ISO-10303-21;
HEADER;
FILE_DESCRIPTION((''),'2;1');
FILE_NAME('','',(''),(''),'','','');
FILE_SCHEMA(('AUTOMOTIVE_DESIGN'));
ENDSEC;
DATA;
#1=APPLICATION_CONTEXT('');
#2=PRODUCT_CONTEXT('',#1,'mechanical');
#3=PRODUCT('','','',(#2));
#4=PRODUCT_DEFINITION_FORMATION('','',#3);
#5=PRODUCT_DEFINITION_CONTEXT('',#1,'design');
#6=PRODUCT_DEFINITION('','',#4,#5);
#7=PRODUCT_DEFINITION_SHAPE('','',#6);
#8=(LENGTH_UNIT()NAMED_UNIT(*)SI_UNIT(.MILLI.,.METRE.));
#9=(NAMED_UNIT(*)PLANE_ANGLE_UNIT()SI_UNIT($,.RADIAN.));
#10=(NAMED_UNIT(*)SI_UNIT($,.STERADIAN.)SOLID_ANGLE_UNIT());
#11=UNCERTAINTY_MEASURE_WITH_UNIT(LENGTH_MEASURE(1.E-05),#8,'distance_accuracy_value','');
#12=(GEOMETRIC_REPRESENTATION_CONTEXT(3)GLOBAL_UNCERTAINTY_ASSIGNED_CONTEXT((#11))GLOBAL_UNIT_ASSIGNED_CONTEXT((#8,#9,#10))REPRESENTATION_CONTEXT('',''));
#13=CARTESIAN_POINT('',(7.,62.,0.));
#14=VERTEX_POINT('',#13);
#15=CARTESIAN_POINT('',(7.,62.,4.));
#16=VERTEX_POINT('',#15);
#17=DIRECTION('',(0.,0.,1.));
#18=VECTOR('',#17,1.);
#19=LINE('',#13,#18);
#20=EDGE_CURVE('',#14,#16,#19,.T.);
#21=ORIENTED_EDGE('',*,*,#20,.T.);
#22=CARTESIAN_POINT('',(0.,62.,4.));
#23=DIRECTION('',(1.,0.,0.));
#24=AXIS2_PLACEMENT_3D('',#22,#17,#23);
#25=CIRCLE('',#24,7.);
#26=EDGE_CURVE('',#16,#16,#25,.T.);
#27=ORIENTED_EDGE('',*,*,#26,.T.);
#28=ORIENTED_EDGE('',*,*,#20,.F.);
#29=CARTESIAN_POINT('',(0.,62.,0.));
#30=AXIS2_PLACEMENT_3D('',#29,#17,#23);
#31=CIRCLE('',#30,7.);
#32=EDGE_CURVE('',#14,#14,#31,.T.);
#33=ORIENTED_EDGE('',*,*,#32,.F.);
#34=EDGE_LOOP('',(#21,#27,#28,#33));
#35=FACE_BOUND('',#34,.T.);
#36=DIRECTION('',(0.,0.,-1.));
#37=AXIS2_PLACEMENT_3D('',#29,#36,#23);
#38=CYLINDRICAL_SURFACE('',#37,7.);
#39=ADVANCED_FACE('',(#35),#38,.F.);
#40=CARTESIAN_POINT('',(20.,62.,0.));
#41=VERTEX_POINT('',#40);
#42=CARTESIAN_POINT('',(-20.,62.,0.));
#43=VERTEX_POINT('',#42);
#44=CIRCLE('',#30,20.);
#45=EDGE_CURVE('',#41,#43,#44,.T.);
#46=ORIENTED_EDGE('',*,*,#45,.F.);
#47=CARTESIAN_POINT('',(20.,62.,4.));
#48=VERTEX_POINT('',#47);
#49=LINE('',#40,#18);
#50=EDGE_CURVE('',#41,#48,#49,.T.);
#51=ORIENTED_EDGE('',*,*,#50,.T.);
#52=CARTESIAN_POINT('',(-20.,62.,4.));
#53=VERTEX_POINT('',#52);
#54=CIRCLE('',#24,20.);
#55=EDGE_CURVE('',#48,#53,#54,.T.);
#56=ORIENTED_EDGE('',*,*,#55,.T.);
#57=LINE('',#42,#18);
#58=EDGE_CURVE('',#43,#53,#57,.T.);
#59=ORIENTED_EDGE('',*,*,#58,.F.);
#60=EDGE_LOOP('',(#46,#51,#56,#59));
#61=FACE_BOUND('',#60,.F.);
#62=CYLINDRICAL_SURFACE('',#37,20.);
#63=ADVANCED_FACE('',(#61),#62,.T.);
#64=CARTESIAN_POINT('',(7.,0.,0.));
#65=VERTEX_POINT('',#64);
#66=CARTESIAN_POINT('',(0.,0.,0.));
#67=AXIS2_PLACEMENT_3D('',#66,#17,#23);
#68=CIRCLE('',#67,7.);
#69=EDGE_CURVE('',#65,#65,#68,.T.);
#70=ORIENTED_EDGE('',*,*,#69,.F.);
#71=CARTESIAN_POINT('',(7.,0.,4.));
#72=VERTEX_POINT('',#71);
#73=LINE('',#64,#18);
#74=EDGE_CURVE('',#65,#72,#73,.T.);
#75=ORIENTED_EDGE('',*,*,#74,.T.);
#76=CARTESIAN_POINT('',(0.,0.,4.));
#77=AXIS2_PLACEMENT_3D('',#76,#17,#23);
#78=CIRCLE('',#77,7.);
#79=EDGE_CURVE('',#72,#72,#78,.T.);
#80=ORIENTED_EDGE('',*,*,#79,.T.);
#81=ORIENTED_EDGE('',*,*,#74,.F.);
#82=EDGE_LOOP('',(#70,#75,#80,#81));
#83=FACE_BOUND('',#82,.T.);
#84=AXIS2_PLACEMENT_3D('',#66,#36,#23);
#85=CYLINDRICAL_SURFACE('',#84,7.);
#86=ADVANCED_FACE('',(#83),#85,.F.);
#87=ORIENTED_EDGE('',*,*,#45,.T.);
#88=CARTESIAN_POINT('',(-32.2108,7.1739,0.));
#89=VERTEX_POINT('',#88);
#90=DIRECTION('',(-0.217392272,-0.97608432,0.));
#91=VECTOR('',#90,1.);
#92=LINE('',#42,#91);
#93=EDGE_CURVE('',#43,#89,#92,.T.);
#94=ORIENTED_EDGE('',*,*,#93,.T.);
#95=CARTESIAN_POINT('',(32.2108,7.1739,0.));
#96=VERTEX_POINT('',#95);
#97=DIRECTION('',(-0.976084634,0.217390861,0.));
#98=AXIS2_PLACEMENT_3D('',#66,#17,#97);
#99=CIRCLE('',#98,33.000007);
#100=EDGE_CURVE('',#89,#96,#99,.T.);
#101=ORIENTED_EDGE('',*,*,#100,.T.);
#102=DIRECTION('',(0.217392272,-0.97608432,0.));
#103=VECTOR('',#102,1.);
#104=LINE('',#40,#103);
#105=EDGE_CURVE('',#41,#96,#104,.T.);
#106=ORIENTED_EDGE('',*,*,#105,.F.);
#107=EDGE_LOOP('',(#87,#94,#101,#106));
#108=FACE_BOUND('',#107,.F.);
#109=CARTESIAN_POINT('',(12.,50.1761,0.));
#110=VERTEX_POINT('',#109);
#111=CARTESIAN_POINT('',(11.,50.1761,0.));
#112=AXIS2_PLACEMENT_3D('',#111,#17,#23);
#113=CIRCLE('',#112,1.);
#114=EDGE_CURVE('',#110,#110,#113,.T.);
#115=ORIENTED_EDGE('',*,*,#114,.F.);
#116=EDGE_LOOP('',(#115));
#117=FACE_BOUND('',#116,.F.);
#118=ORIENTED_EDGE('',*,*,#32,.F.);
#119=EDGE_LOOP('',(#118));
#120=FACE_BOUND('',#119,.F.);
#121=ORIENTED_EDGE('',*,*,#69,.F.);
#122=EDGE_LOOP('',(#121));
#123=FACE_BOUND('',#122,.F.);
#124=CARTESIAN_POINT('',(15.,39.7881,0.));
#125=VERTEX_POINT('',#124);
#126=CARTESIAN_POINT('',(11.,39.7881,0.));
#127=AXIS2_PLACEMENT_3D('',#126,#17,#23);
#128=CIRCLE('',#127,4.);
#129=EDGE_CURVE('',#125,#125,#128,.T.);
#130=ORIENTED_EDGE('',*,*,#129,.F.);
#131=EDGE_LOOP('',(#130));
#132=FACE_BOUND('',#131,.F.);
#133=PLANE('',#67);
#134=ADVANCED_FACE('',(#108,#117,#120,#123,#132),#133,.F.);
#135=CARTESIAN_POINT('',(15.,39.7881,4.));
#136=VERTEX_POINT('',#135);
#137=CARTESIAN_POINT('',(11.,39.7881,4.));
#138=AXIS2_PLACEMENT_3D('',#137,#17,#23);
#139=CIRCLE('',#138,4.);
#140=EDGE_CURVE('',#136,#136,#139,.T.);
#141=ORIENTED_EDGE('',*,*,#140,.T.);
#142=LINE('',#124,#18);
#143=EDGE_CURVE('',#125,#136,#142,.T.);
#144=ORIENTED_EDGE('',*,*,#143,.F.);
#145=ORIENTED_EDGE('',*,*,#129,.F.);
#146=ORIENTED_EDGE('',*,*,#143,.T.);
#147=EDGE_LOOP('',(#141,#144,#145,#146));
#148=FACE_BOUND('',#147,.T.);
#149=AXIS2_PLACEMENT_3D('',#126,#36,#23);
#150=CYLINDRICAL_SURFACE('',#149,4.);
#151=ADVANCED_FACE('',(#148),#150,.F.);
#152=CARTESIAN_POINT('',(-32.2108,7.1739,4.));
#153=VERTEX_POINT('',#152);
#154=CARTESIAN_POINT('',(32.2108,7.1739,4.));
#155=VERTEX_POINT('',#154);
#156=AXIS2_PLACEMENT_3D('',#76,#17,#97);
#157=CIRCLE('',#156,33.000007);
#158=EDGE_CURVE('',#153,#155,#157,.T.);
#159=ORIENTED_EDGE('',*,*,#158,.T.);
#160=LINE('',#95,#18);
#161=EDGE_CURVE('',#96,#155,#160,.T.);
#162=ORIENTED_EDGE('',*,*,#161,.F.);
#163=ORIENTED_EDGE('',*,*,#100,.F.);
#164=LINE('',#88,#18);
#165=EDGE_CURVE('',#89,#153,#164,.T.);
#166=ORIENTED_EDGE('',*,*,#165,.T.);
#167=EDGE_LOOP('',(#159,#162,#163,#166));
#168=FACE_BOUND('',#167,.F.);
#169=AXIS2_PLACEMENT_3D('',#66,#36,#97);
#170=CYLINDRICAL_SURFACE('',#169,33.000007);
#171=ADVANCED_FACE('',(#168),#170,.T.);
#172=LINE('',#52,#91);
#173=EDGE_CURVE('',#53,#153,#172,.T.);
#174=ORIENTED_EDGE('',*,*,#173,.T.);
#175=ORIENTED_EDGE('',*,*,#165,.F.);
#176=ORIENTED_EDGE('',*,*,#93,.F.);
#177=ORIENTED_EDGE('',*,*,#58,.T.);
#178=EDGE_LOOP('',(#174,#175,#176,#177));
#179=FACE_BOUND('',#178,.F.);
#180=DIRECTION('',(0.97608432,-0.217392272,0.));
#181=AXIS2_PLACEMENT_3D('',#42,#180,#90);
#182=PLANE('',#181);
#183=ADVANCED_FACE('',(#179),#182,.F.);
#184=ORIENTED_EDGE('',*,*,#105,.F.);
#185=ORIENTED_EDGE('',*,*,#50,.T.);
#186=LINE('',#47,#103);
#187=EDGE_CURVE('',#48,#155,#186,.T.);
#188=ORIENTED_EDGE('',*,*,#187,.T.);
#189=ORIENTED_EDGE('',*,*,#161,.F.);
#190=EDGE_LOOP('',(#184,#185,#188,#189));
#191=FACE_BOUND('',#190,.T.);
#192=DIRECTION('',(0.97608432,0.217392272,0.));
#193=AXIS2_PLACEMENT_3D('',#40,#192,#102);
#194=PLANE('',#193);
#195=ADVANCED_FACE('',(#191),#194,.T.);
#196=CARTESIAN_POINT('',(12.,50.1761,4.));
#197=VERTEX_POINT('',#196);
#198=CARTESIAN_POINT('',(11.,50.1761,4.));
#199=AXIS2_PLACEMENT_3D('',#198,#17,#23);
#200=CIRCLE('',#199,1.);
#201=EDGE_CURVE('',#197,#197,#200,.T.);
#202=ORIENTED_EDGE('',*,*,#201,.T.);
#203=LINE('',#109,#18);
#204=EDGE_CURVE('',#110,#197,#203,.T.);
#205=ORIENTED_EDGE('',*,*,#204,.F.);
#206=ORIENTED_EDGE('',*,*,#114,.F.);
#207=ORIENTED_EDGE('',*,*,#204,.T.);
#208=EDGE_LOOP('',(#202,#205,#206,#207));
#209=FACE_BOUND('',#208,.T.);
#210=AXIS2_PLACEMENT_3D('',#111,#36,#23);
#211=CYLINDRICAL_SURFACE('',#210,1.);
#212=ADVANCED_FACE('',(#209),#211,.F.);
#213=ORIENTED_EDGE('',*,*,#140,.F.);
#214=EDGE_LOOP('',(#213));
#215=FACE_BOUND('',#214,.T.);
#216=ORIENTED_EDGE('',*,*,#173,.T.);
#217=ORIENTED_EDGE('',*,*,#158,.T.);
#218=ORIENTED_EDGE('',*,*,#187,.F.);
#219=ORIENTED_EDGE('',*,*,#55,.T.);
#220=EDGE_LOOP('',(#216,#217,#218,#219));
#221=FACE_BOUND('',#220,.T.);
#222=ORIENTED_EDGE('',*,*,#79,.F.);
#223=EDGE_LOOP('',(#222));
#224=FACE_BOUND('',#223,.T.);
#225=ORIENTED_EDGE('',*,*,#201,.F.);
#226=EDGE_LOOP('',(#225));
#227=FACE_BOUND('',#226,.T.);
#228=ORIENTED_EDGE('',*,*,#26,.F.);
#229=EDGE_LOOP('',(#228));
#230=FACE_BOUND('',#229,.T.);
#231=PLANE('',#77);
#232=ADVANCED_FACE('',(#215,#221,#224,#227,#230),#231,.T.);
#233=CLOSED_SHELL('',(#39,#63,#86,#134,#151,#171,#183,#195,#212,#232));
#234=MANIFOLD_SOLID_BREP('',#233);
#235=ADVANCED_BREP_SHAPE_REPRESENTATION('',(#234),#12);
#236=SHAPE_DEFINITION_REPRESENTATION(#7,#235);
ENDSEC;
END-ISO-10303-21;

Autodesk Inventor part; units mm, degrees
ref_plane "YZ Plane" through (0, 0, 0) normal (1, 0, 0) x (0, 1, 0)
ref_plane "XZ Plane" through (0, 0, 0) normal (0, 1, 0) x (-1, 0, 0)
ref_plane "XY Plane" through (0, 0, 0) normal (0, 0, 1) x (1, 0, 0)
sketch "Sketch1" plane through (0, 0, 0) normal (0, 0, 1) x (1, 0, 0)
  arc A0 (-32.2108, 7.1739) -> (32.2108, 7.1739) centre (0, 0) ccw
  arc A1 (20, 62) -> (-20, 62) centre (0, 62) ccw
  line L0 (20, 62) -> (32.2108, 7.1739)
  line L1 (-20, 62) -> (-32.2108, 7.1739)
  circle A2 centre (0, 0) radius 7
  circle A3 centre (0, 62) radius 7
  circle A4 centre (11, 39.7881) radius 4
  circle A5 centre (11, 50.1761) radius 1
  dimension "d0" = 66
  dimension "d1" = 40
  dimension "d2" = 62
  dimension "d3" = 14
  dimension "d4" = 14
  dimension "d5" = 8
  dimension "d6" = 2
  dimension "d7" = 11
extrude "Extrusion1" add sketch "Sketch1" along normal blind 4
properties part number "Placa de soporte"
